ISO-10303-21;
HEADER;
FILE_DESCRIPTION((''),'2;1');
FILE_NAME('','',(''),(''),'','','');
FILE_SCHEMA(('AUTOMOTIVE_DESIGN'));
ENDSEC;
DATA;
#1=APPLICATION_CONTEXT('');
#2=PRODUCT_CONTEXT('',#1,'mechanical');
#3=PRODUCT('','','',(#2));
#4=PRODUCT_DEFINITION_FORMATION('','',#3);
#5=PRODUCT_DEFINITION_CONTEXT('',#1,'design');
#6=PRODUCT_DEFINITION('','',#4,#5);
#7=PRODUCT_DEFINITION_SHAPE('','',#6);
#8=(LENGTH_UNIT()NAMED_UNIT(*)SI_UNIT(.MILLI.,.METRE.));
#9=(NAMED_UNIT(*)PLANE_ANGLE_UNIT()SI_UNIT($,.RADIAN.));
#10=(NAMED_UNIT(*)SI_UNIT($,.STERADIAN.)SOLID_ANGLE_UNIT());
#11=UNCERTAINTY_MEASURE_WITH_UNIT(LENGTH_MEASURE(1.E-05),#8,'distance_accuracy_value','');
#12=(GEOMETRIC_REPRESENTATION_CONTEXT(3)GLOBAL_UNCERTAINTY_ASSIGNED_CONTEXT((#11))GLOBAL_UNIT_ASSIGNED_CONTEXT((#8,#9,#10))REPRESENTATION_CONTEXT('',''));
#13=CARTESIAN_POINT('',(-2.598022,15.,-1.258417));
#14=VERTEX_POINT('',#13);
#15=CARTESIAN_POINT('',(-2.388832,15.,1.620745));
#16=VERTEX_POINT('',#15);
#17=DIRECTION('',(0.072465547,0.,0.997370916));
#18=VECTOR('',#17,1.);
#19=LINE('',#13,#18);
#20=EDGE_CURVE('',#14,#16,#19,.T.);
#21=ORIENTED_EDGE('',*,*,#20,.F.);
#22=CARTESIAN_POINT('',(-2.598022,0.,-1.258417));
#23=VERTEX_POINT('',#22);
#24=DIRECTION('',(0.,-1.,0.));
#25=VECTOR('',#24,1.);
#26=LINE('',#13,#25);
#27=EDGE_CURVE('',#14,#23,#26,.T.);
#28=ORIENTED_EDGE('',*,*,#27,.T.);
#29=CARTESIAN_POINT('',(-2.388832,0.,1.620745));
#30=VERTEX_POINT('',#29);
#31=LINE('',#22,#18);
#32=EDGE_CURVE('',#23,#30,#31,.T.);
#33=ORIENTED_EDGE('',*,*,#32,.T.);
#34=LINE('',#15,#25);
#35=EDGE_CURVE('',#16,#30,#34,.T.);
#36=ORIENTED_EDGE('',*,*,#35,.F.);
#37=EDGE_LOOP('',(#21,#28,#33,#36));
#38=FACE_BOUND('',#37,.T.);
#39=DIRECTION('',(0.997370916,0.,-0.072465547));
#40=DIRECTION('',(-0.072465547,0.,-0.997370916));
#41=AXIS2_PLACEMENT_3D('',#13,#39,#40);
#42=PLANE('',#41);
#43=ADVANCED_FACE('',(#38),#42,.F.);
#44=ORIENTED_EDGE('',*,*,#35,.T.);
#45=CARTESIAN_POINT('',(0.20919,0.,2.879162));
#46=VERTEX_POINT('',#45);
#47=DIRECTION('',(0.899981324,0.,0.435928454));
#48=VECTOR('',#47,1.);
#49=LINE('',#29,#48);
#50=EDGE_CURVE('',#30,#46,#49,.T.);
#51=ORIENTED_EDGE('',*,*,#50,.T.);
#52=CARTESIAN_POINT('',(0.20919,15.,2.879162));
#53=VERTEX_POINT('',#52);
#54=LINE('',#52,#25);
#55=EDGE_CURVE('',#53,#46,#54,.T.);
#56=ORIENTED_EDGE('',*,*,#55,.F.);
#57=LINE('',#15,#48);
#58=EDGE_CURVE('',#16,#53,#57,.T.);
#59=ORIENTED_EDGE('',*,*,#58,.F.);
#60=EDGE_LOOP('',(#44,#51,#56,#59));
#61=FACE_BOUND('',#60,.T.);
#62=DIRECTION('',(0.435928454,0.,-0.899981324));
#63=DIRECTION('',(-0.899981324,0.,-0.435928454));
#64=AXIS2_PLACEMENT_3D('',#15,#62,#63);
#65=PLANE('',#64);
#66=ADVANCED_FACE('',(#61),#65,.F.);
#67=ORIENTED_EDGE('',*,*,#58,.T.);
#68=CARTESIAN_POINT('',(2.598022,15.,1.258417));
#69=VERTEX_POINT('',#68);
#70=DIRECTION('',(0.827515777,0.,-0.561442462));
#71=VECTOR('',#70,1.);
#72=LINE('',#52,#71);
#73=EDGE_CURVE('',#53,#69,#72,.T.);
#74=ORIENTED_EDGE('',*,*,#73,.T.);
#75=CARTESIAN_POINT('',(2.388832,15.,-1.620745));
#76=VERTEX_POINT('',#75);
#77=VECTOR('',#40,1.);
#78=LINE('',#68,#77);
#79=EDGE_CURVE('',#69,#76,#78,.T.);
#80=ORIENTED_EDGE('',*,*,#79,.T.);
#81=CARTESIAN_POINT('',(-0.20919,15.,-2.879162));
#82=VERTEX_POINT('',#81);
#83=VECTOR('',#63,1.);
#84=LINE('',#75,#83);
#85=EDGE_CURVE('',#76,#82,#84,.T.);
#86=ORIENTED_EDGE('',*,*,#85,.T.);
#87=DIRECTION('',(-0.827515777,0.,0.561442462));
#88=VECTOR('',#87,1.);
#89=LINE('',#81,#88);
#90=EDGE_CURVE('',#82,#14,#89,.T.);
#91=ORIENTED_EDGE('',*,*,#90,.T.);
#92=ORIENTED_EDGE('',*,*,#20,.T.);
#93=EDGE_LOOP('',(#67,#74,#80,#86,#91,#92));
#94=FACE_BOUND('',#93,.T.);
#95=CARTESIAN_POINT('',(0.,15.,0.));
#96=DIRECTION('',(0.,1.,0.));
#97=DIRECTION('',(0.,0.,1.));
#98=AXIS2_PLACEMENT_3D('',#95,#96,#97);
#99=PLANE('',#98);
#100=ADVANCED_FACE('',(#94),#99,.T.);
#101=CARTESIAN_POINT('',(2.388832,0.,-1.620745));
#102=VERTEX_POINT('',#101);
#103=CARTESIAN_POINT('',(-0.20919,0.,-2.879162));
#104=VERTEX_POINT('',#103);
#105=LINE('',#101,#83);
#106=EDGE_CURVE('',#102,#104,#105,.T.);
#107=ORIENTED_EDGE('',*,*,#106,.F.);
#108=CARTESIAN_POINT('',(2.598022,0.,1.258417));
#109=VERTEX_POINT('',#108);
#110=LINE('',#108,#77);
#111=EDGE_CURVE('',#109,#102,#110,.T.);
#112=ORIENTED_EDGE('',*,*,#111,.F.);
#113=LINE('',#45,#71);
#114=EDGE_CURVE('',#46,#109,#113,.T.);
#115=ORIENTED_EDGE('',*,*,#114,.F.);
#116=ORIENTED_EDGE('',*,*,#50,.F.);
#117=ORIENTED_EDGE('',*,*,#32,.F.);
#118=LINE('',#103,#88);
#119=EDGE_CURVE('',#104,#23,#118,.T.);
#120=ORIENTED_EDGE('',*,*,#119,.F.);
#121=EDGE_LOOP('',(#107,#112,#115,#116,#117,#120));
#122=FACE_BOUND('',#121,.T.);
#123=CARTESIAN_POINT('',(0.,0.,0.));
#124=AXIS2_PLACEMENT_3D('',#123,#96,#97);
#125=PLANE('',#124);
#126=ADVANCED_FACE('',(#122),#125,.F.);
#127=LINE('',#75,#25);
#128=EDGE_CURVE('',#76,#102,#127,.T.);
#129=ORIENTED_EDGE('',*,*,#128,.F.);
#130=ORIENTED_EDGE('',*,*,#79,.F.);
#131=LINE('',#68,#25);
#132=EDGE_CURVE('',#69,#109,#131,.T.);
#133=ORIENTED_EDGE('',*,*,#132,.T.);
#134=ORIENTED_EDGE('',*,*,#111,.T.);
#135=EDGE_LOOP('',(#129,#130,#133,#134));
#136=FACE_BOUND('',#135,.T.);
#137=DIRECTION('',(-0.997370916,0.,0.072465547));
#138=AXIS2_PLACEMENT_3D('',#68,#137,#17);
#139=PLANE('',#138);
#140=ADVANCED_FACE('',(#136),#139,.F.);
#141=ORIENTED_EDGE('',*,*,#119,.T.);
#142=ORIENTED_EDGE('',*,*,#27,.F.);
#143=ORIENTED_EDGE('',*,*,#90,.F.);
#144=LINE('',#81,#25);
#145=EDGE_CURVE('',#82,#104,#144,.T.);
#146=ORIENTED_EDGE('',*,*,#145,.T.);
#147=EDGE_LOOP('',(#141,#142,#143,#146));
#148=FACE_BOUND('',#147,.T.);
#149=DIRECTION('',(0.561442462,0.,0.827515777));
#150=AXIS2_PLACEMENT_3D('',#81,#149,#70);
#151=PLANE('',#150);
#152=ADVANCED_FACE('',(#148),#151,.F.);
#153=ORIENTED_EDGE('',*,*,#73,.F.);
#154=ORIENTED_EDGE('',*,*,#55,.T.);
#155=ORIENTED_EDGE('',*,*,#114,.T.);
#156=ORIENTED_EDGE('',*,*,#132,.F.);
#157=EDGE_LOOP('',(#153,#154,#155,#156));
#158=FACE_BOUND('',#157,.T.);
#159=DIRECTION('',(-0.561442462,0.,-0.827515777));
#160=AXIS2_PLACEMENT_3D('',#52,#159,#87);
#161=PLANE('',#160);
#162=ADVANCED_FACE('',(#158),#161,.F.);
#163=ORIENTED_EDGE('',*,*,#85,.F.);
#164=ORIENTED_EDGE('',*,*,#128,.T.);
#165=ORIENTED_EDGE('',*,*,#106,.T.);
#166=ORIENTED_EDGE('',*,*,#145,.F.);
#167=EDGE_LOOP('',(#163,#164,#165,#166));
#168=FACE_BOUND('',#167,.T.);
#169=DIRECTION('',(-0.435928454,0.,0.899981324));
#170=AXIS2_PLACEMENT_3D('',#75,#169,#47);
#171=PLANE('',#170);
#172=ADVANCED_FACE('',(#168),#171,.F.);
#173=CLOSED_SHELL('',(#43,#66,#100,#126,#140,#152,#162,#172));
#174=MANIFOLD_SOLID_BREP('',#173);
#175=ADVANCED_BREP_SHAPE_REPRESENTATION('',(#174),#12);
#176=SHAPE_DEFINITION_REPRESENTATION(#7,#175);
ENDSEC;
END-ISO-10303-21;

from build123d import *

# Parameters (mm, degrees)
BOSS_EXTRUDE1_DEPTH = 15


with BuildPart() as part:
    # Sketch2 → Boss-Extrude1 (new body)
    with BuildSketch(Plane(origin=(0, 0, 0), x_dir=(1, 0, 0), z_dir=(0, 1, 0))):
        Polygon((2.598022298, -1.258417051), (2.388832283, 1.620744784), (-0.209190015, 2.879161835), (-2.598022298, 1.258417051), (-2.388832283, -1.620744784), (0.209190015, -2.879161835), align=None)
    extrude(amount=BOSS_EXTRUDE1_DEPTH)


solid = part.part
